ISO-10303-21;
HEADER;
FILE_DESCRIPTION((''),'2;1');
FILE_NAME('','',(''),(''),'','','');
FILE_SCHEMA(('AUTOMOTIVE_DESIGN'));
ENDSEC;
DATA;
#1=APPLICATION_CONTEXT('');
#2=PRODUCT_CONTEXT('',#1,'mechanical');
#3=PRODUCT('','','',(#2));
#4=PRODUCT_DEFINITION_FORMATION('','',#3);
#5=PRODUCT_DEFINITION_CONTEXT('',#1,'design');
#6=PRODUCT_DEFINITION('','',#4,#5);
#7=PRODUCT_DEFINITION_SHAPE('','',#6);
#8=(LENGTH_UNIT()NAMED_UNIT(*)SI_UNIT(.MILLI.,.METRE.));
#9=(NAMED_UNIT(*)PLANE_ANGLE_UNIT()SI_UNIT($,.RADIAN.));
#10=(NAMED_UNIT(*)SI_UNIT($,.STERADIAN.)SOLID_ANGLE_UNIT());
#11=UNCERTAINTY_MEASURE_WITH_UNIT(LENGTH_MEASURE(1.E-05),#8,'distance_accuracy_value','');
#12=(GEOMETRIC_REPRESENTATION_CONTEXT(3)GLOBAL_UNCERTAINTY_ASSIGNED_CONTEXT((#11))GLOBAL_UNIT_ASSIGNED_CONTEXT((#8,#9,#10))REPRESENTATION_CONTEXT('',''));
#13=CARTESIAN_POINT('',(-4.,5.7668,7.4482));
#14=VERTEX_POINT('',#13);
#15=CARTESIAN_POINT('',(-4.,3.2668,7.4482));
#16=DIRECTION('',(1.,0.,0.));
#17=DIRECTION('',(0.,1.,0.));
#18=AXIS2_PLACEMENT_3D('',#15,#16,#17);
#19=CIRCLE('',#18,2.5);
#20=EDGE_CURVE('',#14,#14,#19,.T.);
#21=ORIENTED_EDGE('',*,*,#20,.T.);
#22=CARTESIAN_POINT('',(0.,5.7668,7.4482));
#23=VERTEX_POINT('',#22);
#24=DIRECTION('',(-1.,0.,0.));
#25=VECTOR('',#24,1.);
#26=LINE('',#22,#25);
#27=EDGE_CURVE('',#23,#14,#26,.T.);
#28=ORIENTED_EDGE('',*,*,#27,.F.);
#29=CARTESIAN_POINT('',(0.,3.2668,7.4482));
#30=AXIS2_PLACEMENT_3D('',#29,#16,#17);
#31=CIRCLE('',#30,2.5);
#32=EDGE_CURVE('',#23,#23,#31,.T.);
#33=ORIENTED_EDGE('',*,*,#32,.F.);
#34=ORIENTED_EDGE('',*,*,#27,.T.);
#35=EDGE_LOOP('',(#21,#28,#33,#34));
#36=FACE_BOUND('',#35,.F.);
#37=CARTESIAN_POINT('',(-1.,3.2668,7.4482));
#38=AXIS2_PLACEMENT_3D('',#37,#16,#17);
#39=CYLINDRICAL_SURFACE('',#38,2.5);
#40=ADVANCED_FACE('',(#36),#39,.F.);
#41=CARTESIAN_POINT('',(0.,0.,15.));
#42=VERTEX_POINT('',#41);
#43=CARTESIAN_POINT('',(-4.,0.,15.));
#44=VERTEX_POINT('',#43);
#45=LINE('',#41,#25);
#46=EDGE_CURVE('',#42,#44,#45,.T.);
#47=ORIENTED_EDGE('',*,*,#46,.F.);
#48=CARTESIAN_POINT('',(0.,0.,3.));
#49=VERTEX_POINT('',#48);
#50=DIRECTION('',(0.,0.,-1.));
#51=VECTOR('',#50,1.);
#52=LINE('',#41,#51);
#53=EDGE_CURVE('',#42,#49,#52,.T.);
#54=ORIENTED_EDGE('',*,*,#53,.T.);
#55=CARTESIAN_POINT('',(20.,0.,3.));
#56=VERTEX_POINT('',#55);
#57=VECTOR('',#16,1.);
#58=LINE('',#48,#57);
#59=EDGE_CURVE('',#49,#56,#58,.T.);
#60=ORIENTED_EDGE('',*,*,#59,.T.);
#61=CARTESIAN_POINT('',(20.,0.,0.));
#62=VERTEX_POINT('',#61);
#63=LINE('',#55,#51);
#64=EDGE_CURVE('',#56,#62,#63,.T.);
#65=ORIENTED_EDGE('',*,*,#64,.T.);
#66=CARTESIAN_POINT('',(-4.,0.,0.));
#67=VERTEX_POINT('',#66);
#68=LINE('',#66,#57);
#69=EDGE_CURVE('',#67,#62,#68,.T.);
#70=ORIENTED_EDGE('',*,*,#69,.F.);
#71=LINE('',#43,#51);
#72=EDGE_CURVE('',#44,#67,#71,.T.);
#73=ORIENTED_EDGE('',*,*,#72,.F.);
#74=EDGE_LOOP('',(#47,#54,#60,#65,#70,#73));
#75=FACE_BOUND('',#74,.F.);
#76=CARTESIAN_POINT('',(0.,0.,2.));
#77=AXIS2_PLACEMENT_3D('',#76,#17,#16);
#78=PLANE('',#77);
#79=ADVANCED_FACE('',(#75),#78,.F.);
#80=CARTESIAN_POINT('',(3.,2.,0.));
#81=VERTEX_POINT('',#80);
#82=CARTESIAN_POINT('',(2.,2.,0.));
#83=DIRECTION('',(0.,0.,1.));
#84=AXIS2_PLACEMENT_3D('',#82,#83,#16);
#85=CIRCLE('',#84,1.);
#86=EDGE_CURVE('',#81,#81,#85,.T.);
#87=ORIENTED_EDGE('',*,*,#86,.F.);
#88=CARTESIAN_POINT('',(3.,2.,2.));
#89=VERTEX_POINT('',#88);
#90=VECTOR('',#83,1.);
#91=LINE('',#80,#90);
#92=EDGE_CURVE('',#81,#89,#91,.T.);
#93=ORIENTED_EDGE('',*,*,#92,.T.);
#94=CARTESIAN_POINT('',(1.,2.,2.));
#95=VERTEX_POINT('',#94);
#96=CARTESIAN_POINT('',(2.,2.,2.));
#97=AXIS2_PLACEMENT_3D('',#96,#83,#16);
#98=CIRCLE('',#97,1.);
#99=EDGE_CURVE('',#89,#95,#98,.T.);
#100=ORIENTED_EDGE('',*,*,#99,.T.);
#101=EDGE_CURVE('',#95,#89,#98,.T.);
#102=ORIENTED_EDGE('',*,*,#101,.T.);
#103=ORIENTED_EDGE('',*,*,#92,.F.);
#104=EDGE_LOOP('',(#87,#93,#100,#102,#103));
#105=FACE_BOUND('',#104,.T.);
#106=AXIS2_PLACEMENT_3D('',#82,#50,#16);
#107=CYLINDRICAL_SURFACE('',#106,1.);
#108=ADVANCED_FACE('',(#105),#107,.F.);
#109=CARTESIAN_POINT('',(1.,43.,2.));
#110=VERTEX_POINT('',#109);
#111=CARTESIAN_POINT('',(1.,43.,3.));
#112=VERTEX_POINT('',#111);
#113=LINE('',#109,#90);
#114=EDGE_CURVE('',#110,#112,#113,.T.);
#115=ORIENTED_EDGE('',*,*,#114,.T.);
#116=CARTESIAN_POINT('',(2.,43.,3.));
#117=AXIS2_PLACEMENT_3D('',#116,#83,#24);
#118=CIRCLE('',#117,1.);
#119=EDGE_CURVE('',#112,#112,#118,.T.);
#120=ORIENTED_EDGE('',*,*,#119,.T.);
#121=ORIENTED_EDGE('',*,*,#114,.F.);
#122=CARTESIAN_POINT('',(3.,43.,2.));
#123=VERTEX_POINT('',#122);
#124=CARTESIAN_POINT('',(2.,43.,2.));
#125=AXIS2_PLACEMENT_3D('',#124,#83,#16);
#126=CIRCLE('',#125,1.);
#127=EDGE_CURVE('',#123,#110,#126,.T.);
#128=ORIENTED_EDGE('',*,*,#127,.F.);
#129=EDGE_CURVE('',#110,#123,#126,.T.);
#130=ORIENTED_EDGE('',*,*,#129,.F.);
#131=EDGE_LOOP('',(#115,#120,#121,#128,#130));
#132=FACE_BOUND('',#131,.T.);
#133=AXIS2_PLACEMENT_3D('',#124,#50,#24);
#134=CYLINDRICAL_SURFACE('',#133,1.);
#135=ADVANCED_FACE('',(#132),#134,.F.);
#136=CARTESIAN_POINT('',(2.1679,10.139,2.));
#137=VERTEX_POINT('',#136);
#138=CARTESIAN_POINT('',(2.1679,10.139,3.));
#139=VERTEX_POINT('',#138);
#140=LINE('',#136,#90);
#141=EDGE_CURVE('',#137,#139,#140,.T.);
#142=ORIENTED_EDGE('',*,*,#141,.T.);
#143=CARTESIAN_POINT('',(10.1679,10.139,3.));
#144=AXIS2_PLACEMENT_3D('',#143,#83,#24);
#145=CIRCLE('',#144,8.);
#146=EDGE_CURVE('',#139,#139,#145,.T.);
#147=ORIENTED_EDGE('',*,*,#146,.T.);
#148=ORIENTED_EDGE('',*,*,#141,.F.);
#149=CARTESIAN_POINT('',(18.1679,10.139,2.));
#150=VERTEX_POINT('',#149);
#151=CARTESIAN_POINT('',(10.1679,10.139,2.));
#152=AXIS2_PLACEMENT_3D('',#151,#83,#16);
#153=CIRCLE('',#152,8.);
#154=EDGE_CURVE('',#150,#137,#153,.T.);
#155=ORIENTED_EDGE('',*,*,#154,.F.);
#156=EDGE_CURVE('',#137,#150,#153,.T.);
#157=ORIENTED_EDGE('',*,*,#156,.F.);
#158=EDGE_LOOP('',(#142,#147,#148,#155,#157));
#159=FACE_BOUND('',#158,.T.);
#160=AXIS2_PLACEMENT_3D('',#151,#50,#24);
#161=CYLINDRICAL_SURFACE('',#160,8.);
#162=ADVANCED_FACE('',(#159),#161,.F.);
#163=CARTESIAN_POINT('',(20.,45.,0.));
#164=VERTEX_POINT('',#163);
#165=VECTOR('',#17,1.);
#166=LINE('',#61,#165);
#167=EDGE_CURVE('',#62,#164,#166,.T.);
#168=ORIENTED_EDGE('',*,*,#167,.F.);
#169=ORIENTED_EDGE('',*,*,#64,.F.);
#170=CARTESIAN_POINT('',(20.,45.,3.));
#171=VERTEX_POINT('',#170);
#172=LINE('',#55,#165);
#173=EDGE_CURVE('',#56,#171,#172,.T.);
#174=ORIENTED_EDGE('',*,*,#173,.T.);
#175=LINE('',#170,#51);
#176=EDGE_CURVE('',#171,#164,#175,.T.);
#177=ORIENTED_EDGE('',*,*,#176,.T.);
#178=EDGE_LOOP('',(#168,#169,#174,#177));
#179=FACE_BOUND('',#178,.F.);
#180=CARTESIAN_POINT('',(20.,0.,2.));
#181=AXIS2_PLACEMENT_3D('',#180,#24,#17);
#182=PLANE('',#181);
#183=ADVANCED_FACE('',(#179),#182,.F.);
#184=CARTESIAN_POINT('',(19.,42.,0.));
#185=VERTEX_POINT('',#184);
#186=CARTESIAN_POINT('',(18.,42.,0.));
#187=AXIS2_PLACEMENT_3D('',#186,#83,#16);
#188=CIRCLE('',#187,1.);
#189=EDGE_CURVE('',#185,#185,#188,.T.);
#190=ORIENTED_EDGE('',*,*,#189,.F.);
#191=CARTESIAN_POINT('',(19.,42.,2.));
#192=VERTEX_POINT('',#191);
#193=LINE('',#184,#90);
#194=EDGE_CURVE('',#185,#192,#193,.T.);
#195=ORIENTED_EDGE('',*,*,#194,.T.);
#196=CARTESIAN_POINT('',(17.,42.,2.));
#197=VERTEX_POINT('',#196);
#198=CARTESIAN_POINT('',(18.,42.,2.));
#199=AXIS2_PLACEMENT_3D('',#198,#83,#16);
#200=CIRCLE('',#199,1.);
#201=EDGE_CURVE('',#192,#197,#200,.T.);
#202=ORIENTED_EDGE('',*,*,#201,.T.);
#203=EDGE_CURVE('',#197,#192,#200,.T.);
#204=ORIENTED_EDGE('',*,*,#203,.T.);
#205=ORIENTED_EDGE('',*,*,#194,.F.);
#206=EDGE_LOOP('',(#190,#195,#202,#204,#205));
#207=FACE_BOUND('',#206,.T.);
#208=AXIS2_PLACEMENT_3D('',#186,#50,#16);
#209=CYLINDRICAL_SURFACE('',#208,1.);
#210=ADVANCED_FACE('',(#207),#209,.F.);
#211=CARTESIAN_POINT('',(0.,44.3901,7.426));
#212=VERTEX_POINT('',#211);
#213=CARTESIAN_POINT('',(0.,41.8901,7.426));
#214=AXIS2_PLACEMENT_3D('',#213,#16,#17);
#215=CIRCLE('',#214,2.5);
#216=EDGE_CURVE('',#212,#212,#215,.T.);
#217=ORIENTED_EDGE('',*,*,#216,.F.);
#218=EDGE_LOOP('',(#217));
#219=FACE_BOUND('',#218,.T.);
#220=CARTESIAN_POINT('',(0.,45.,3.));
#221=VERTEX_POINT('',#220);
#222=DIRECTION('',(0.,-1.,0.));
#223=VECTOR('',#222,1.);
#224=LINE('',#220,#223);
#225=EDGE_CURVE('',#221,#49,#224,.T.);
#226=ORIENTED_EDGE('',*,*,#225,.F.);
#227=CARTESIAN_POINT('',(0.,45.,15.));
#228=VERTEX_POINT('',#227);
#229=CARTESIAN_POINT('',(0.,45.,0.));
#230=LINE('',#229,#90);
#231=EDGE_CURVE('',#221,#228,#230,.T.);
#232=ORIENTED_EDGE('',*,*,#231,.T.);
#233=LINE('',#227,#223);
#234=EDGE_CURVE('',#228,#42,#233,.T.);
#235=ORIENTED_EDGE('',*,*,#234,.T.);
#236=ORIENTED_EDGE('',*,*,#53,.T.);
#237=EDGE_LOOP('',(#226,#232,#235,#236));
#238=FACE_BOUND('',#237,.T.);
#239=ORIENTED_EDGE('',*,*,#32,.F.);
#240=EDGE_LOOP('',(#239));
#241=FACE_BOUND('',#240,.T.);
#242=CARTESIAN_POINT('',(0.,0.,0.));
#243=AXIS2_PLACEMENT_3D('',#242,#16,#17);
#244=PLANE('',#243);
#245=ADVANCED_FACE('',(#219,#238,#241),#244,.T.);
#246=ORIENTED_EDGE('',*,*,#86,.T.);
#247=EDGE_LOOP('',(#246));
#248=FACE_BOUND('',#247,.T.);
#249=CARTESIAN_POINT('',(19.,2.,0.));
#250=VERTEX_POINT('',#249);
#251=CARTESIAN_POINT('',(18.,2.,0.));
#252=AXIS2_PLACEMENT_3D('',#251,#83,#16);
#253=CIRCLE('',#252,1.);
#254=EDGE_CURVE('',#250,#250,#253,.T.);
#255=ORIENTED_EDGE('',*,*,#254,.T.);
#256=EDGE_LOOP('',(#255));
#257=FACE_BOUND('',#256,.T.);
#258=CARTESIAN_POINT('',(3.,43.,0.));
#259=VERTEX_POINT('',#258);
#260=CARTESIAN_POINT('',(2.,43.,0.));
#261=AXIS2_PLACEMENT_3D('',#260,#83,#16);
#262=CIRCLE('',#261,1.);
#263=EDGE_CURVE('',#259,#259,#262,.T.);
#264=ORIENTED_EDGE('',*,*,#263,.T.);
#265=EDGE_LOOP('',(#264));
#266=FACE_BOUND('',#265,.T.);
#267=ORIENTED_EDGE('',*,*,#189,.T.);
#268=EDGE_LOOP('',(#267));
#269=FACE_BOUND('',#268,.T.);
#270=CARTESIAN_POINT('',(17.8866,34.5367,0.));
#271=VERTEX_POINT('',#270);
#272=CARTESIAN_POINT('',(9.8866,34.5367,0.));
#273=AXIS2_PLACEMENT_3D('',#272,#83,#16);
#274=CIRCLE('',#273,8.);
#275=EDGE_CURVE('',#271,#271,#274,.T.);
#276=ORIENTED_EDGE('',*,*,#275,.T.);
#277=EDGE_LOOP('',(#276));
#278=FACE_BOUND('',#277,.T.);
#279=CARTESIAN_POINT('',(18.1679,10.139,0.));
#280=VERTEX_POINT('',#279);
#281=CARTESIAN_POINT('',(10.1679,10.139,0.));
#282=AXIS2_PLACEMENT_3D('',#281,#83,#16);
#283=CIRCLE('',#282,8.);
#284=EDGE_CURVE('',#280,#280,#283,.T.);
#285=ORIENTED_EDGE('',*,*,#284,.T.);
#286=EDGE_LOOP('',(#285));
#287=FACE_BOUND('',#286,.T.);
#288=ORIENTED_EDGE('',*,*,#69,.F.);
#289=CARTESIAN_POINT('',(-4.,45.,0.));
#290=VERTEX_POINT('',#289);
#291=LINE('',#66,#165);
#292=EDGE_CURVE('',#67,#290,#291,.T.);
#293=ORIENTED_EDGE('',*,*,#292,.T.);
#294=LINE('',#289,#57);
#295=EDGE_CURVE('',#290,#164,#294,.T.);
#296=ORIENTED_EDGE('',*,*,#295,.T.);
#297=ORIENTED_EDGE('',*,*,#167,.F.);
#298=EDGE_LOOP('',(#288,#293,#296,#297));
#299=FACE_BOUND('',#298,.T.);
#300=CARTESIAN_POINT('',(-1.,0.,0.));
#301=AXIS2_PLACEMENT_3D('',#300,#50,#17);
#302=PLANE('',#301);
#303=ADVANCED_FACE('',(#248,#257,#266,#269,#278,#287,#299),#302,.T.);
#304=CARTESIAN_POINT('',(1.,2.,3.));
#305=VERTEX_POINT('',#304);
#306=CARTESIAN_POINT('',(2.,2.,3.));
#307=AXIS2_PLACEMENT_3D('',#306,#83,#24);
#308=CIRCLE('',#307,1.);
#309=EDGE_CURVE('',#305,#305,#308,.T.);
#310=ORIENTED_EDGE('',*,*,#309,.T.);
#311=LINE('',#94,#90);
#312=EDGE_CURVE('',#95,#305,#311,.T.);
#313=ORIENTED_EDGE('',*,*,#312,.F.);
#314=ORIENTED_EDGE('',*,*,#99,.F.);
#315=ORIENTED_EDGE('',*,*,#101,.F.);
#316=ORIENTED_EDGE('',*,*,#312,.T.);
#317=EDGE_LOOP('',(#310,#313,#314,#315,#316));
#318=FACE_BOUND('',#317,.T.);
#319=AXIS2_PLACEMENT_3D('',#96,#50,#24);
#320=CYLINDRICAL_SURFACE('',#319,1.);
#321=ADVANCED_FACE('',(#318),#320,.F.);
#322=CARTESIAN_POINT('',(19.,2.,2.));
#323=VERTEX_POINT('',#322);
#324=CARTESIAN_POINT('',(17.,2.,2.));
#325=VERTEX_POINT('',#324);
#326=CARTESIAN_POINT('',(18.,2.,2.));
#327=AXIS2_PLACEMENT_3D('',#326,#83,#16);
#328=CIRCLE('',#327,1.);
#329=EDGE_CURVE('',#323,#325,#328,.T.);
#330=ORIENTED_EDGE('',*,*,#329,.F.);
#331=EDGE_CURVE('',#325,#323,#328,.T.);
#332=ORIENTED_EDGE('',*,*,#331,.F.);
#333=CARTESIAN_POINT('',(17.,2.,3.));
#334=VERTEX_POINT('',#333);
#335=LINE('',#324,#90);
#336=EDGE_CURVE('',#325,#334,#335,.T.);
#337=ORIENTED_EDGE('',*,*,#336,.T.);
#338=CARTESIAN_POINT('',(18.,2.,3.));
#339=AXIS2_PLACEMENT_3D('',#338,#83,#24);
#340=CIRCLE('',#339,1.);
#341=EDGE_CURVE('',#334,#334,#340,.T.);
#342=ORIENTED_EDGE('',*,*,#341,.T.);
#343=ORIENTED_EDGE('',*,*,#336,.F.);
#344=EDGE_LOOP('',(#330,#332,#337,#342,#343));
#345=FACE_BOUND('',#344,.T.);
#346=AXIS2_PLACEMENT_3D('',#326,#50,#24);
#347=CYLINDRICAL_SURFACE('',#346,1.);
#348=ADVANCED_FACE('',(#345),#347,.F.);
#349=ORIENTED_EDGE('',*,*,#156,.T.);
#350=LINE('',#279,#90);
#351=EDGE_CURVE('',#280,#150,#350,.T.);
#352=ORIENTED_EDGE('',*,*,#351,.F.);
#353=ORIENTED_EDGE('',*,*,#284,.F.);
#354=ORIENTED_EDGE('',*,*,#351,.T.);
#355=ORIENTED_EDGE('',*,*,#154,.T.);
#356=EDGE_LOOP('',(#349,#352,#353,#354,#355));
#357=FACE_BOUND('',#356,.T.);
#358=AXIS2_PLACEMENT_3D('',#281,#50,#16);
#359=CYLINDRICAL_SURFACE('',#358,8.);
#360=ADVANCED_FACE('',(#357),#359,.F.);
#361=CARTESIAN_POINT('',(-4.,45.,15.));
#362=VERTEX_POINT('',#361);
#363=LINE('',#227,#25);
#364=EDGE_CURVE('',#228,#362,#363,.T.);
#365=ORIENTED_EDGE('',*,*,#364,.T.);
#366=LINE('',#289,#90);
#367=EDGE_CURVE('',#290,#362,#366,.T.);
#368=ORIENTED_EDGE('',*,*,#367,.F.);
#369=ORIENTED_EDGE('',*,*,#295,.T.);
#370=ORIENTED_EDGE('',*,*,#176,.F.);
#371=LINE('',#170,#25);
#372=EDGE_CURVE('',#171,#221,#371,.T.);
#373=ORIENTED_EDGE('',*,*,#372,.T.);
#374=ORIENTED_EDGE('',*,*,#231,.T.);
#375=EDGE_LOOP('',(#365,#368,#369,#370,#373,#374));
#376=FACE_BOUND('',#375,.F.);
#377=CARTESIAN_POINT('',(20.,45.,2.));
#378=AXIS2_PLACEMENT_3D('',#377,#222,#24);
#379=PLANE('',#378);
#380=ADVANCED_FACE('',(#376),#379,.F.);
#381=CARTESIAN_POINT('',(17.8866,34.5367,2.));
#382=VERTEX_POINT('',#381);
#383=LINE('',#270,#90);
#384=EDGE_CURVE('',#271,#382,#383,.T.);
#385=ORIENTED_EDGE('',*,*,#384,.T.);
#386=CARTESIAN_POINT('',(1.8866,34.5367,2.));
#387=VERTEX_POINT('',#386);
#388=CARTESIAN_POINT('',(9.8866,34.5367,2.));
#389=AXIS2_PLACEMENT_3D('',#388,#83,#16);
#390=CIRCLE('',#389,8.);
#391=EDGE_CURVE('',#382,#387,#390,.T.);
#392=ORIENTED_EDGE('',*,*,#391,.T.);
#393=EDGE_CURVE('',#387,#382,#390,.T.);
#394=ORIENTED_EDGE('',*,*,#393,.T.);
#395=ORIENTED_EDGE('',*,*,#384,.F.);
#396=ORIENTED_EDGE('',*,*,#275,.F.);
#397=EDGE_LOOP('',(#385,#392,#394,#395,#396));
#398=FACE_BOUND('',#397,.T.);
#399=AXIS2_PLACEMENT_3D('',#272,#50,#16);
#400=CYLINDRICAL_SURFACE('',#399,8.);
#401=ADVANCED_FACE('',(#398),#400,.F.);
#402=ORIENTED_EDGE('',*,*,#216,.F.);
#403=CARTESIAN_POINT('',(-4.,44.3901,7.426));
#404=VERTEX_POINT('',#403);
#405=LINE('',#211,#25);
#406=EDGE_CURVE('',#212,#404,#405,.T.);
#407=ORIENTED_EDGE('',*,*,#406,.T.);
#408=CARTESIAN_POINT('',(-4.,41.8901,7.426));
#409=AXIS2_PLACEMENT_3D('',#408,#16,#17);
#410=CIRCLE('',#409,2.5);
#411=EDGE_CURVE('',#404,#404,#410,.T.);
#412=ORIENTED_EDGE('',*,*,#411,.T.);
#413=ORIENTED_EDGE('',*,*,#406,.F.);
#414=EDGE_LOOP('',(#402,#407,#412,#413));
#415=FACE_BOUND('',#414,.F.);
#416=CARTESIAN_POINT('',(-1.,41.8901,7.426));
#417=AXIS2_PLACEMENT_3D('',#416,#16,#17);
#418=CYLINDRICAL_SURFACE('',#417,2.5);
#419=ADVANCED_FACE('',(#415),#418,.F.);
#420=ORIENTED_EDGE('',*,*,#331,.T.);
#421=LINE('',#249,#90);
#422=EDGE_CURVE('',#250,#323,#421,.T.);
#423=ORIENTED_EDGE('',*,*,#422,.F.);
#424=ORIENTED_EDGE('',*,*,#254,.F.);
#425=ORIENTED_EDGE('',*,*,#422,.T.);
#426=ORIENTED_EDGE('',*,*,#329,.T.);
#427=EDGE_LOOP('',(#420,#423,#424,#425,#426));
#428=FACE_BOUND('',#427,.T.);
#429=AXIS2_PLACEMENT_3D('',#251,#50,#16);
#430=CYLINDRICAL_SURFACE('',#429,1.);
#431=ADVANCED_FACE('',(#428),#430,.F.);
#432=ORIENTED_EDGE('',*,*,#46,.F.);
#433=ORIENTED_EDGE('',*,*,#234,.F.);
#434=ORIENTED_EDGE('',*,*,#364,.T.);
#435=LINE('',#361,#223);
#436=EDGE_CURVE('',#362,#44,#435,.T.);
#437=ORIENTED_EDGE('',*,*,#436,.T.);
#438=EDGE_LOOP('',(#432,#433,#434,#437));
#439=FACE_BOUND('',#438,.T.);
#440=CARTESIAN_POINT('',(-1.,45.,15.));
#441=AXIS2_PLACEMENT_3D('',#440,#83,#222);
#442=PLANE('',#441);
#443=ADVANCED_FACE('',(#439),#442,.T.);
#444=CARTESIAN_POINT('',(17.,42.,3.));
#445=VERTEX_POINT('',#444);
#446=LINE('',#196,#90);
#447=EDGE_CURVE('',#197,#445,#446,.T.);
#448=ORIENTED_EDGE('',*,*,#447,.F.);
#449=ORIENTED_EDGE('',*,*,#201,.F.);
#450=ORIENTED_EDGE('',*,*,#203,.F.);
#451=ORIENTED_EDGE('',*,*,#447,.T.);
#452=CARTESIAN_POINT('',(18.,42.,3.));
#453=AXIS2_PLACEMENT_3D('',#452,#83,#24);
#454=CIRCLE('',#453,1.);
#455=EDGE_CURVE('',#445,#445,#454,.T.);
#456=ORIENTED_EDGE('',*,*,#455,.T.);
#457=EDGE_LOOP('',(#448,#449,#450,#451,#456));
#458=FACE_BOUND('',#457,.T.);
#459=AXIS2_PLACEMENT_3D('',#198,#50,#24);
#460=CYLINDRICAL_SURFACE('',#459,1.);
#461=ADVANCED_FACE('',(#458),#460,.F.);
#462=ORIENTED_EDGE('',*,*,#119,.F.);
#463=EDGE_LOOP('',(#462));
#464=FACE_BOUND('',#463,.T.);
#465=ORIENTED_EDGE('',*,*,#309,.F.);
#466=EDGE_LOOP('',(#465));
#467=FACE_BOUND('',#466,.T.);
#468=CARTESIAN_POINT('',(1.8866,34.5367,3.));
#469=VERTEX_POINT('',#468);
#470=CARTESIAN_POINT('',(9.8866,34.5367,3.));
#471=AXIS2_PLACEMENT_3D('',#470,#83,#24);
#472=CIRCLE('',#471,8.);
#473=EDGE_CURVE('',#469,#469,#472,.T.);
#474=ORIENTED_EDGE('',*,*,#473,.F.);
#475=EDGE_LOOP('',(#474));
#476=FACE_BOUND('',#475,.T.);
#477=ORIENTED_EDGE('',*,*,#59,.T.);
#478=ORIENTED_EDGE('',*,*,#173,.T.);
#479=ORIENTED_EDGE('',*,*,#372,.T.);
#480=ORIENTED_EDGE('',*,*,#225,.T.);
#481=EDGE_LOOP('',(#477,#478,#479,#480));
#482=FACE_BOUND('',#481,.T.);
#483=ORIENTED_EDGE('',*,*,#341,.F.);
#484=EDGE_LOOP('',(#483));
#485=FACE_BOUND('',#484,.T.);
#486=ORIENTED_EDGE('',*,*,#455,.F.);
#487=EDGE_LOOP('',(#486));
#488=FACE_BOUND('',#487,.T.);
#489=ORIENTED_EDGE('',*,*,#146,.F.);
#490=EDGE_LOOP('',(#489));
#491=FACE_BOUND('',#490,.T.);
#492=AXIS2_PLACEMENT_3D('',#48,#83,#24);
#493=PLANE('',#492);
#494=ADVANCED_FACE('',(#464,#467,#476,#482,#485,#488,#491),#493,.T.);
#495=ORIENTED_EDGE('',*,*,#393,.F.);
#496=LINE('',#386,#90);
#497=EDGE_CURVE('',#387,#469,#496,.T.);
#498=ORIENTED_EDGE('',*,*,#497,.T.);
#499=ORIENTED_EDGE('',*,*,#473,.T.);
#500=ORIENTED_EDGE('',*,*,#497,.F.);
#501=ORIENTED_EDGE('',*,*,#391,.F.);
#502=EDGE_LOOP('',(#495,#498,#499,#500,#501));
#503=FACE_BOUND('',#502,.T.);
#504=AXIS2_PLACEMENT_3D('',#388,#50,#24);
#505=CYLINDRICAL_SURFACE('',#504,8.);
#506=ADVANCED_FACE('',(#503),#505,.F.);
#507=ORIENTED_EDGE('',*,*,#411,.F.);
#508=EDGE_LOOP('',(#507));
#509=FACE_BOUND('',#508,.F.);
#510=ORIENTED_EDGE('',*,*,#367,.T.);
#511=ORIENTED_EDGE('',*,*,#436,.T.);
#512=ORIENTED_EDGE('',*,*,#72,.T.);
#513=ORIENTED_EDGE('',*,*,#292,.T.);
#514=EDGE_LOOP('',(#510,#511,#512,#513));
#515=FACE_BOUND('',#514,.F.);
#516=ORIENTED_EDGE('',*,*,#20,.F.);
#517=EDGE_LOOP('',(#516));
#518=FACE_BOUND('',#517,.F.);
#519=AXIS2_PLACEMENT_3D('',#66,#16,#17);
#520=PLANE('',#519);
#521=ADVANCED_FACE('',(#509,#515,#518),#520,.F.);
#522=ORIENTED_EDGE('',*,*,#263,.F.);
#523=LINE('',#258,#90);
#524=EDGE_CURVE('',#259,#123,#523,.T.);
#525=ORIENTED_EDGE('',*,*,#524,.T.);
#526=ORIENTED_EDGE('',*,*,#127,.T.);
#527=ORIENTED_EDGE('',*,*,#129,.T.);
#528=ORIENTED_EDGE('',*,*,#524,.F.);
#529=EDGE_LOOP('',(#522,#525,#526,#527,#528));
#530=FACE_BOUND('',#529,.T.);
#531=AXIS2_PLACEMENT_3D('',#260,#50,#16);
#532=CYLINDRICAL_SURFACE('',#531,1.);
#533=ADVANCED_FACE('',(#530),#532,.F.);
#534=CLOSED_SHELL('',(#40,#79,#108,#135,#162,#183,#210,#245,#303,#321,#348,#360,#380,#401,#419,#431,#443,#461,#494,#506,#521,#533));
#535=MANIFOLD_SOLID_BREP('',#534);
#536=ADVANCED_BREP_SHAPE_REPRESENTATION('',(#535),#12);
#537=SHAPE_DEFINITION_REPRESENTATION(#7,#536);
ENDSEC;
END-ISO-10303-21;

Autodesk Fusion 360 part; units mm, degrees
sketch "Sketch1" plane through (0, 0, 0) normal (0, 0, 1) x (1, 0, 0)
  line L0 (0, 0) -> (20, 0)
  line L1 (20, 0) -> (20, 45)
  line L2 (20, 45) -> (0, 45)
  line L3 (0, 45) -> (0, 0)
  circle A0 centre (9.8866, 34.5367) radius 8
  circle A1 centre (10.1679, 10.139) radius 8
  circle A2 centre (2, 43) radius 1
  circle A3 centre (18, 42) radius 1
  circle A4 centre (18, 2) radius 1
  circle A5 centre (2, 2) radius 1
  point P0 (2, 43)
  dimension "d1" = 20
  dimension "d2" = 45
  dimension "d3" = 16
  dimension "d4" = 16
extrude "Extrude1" add sketch "Sketch1" along normal blind 2
sketch "Sketch2" plane through (0, 0, 0) normal (1, 0, 0) x (0, 1, 0)
  line L0 (0, 0) -> (45, 0)
  line L1 (45, 0) -> (45, 15)
  line L2 (45, 15) -> (0, 15)
  line L3 (0, 15) -> (0, 0)
  circle A0 centre (3.2668, 7.4482) radius 2.5
  circle A1 centre (41.8901, 7.426) radius 2.5
  dimension "d7" = 5
  dimension "d8" = 5
extrude "Extrude2" add sketch "Sketch2" against normal blind 1
sketch "Sketch3" plane through (0, 0, 2) normal (0, 0, 1) x (-1, 0, 0)
  circle A0 centre (-2, -2) radius 1
  circle A1 centre (-18, -2) radius 1
  circle A2 centre (-10.1679, -10.139) radius 8
  circle A3 centre (-18, -42) radius 1
  circle A4 centre (-9.8866, -34.5367) radius 8
  circle A5 centre (-2, -43) radius 1
  line L0 (0, -45) -> (0, 0)
  line L1 (0, 0) -> (-20, 0)
  line L2 (-20, 0) -> (-20, -45)
  line L3 (-20, -45) -> (0, -45)
extrude "Extrude3" add 1 faces at (-1, 16.6085, 13.1343) along direction (-1, 0, 0) blind 3
extrude "Extrude4" add sketch "Sketch3" along normal blind 1
